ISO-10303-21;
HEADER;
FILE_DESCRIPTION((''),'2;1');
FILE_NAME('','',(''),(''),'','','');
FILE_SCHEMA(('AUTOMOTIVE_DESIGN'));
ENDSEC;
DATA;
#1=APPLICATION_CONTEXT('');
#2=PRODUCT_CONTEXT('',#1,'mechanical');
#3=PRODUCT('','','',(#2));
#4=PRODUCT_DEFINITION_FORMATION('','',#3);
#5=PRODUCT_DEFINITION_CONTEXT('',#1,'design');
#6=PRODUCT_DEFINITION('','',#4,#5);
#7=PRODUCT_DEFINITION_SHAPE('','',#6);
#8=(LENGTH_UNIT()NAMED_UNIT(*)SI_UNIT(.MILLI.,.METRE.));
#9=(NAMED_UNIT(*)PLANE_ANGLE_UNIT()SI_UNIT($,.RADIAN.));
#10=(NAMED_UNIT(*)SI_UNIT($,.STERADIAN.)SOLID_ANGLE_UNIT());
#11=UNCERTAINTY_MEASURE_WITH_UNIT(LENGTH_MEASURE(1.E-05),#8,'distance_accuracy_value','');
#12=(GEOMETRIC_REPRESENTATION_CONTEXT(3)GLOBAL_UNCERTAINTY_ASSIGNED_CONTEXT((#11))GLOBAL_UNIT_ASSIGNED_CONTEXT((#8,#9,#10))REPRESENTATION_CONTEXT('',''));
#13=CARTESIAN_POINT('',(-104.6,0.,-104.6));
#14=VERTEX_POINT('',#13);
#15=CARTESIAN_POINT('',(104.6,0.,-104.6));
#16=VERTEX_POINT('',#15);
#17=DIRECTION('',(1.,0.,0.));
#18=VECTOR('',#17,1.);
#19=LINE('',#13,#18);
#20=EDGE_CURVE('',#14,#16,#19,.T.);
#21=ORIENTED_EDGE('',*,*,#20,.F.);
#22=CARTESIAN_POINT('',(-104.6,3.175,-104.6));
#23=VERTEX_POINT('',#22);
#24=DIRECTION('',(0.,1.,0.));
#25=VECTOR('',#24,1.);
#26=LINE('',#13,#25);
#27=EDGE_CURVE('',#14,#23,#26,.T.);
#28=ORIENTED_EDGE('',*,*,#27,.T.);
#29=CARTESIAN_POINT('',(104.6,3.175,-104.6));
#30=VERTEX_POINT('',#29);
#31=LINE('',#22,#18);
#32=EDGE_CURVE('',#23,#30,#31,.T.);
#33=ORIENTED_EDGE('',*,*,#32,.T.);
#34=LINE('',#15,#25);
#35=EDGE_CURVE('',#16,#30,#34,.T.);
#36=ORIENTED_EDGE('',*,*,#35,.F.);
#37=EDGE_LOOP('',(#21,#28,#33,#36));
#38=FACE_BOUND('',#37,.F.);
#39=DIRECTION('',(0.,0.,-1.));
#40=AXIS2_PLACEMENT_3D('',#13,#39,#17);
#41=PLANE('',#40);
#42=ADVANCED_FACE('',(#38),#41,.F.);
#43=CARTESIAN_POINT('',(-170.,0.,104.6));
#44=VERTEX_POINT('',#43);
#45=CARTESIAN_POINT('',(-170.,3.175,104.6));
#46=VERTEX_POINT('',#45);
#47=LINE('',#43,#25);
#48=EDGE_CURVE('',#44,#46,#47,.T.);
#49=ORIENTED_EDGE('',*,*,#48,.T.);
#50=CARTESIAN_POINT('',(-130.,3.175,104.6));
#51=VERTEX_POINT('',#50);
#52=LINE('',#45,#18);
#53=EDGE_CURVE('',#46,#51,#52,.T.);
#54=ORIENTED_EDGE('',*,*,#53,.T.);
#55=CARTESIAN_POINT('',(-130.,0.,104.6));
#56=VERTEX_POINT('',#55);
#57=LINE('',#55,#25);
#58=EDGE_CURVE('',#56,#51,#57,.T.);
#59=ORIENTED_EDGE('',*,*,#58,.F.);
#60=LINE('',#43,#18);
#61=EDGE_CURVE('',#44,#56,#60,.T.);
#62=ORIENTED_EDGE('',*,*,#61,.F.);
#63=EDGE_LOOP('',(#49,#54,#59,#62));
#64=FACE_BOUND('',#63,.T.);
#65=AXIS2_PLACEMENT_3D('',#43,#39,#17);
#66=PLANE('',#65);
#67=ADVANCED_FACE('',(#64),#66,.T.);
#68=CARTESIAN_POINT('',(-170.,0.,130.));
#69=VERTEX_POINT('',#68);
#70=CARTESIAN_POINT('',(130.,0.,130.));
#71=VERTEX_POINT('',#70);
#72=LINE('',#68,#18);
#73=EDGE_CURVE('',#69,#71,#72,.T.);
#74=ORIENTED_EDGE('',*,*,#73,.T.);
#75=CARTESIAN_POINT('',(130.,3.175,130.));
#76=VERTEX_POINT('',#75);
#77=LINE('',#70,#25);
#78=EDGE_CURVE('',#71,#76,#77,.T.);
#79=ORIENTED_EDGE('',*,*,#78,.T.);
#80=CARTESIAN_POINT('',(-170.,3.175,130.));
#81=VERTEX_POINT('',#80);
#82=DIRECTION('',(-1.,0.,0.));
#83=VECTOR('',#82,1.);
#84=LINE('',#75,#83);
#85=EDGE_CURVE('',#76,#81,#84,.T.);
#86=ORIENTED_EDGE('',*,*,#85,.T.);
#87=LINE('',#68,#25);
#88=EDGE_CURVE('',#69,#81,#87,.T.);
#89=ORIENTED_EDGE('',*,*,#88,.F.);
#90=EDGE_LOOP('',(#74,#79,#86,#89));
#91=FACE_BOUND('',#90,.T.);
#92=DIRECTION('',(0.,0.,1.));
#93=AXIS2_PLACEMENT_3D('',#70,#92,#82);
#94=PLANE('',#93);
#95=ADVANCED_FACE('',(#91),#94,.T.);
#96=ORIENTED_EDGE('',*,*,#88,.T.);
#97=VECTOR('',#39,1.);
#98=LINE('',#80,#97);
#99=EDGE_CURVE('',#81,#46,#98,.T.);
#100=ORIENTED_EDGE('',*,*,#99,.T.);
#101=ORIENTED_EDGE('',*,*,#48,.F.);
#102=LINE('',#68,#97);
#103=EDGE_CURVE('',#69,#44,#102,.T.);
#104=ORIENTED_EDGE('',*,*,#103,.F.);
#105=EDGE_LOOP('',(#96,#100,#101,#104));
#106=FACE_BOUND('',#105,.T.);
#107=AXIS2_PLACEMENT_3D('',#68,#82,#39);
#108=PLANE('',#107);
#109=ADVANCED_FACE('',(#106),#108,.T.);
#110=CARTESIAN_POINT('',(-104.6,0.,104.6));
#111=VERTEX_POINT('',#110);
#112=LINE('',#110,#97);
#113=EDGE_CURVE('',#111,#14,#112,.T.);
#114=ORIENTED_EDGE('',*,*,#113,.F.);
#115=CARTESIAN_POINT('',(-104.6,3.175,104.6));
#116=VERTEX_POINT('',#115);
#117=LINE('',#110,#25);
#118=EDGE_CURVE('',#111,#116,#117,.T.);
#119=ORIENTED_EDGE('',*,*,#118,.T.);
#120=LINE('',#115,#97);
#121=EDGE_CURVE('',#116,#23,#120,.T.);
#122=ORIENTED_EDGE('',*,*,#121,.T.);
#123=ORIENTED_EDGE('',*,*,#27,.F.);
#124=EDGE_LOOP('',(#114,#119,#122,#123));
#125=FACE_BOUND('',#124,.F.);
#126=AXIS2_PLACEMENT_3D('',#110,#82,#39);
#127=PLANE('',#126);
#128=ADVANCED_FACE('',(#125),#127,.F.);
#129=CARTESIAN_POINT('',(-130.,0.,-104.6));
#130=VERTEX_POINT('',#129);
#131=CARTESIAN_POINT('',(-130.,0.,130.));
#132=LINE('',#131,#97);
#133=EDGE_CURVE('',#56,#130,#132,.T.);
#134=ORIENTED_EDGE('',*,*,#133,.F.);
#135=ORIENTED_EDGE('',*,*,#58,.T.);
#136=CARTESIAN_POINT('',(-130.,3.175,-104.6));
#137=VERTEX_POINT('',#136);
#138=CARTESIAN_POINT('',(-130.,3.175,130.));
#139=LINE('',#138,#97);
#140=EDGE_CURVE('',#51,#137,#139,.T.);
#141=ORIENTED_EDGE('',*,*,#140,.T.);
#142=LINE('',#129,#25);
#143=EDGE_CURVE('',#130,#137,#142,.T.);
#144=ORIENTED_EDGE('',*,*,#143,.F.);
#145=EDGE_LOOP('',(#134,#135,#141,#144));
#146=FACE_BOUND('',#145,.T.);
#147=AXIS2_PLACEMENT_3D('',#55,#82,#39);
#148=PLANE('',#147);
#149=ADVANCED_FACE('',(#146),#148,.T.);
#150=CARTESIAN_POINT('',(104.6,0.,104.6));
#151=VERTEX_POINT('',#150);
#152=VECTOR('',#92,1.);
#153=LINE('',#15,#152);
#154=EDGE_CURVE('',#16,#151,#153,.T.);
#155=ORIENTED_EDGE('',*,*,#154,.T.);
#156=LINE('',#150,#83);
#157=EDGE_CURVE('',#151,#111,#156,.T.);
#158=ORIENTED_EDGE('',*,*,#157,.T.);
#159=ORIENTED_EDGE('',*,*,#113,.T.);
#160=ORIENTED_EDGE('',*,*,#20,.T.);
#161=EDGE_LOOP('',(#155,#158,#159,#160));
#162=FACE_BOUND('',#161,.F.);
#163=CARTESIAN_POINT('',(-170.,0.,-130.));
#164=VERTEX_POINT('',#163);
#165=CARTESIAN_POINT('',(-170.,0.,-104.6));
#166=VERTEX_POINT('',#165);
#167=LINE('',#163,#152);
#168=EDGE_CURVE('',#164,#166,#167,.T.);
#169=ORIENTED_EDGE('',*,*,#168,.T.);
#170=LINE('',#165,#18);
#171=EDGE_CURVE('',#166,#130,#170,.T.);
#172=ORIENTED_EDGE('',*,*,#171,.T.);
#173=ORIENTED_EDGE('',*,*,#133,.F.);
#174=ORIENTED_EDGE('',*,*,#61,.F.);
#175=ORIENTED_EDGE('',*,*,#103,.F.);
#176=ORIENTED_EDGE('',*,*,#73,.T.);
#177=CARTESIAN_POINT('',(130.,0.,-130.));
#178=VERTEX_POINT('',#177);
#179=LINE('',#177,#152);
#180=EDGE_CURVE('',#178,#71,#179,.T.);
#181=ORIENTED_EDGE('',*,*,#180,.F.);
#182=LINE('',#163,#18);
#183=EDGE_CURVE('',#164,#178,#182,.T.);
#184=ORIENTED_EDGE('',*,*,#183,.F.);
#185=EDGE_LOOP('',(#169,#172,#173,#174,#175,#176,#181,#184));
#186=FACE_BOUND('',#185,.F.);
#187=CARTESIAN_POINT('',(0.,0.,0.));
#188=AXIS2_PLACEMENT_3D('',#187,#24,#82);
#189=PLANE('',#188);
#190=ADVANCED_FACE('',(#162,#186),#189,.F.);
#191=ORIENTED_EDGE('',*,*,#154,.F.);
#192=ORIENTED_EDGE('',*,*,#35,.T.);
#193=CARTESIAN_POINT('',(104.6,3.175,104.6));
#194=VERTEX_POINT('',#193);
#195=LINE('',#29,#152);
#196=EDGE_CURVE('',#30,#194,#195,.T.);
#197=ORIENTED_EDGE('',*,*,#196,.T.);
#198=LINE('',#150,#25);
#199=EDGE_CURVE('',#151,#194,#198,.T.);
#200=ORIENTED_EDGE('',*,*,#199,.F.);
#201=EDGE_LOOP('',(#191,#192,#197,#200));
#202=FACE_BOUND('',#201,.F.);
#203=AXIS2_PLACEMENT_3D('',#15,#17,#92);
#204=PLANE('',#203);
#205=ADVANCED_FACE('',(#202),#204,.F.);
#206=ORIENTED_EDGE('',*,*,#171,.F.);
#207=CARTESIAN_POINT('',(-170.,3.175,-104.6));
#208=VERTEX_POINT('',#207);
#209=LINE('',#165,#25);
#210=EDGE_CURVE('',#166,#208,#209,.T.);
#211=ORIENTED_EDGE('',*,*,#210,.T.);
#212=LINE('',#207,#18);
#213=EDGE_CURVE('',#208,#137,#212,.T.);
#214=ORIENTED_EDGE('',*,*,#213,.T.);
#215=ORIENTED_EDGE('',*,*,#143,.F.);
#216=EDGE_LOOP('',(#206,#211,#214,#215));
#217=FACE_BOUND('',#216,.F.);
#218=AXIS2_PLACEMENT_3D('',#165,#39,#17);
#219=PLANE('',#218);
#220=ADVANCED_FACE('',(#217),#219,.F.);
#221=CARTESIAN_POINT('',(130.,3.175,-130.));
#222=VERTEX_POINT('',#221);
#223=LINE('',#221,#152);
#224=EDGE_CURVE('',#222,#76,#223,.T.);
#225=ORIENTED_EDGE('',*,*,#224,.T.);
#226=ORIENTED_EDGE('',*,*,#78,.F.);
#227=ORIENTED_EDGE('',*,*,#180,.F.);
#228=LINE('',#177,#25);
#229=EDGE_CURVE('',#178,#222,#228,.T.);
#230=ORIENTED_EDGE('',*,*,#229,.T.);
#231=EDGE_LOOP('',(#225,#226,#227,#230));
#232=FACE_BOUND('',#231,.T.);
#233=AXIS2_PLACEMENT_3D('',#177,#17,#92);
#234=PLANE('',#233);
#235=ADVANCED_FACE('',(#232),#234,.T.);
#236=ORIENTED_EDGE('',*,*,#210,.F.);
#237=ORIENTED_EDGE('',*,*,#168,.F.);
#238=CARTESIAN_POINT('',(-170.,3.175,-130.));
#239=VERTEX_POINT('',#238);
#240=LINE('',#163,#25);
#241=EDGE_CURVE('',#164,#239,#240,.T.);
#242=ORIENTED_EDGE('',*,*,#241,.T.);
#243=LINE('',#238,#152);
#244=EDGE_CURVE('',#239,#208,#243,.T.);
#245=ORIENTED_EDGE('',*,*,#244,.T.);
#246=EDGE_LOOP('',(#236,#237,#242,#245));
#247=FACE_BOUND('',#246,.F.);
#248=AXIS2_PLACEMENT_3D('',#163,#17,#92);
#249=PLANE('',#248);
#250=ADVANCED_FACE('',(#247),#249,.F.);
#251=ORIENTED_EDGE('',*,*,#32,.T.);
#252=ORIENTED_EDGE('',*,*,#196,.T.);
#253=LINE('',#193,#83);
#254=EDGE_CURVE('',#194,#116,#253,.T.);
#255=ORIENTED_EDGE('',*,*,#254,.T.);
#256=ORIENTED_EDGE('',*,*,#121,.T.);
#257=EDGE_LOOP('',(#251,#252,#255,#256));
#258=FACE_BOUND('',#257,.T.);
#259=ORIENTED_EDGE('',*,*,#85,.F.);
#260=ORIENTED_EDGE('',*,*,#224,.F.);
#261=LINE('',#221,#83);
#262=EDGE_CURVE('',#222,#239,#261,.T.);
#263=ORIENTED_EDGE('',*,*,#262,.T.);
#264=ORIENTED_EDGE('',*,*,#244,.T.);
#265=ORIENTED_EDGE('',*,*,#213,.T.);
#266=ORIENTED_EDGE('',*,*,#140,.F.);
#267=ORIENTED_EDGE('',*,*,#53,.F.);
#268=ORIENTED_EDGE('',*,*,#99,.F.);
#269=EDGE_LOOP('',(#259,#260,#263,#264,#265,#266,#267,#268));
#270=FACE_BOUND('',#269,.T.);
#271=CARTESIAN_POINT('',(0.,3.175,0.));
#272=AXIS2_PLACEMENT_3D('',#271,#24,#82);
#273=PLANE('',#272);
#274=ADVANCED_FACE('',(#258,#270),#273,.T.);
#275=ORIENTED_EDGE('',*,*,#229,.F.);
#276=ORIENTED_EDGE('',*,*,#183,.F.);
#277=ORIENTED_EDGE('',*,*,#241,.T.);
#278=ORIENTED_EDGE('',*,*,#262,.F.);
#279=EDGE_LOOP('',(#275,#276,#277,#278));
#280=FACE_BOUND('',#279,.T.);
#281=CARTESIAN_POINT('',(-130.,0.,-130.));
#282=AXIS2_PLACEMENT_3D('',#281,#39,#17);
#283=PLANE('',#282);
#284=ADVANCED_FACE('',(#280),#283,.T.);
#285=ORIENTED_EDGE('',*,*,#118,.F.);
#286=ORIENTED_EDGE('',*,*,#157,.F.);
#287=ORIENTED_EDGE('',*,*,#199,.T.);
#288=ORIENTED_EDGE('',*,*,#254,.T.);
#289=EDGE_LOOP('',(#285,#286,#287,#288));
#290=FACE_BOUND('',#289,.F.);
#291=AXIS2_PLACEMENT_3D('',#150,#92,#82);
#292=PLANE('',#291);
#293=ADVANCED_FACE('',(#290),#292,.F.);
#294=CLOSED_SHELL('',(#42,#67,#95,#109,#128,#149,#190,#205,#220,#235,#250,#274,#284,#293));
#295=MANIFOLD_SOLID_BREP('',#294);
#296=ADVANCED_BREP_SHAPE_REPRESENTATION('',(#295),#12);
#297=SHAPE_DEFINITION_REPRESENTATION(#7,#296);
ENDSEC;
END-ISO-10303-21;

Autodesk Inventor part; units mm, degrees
ref_plane "YZ Plane" through (0, 0, 0) normal (1, 0, 0) x (0, 1, 0)
ref_plane "XZ Plane" through (0, 0, 0) normal (0, 1, 0) x (-1, 0, 0)
ref_plane "XY Plane" through (0, 0, 0) normal (0, 0, 1) x (1, 0, 0)
sketch "Sketch1" plane through (0, 0, 0) normal (0, 1, 0) x (-1, 0, 0)
  line L0 (-130, 130) -> (130, 130)
  line L1 (130, 130) -> (130, -130)
  line L2 (130, -130) -> (-130, -130)
  line L3 (-130, -130) -> (-130, 130)
  line L4 (-130, 130) -> (130, -130) construction
  line L5 (130, 130) -> (-130, -130) construction
  line L6 (-104.6, 104.6) -> (104.6, 104.6)
  line L7 (104.6, 104.6) -> (104.6, -104.6)
  line L8 (104.6, -104.6) -> (-104.6, -104.6)
  line L9 (-104.6, -104.6) -> (-104.6, 104.6)
  line L10 (-104.6, 104.6) -> (104.6, -104.6) construction
  line L11 (104.6, 104.6) -> (-104.6, -104.6) construction
  line L12 (130, 130) -> (170, 130)
  line L13 (170, 130) -> (170, 104.6)
  line L14 (170, 104.6) -> (130, 104.6)
  line L15 (130, 104.6) -> (130, 130)
  line L16 (130, -130) -> (170, -130)
  line L17 (170, -130) -> (170, -104.6)
  line L18 (170, -104.6) -> (130, -104.6)
  line L19 (130, -104.6) -> (130, -130)
  point P0 (0, 0)
  dimension "d0" = 260
  dimension "d1" = 260
  dimension "d2" = 25.4
  dimension "d3" = 40
extrude "Extrusion1" add sketch "Sketch1" along normal blind 3.175
equation "\"BendRadius\" = Thickness"
equation "\"BendReliefWidth\" = Thickness"
equation "\"BendReliefDepth\" = 0.5 * Thickness"
equation "\"CornerReliefSize\" = 4 * Thickness"
equation "\"MinimumRemnant\" = 2 * Thickness"
equation "\"TransitionRadius\" = BendRadius"
equation "\"JacobiRadiusSize\" = BendRadius"
equation "\"GapSize\" = Thickness"
equation "\"Thickness\" = 3.048"
properties part number "Metal1"
